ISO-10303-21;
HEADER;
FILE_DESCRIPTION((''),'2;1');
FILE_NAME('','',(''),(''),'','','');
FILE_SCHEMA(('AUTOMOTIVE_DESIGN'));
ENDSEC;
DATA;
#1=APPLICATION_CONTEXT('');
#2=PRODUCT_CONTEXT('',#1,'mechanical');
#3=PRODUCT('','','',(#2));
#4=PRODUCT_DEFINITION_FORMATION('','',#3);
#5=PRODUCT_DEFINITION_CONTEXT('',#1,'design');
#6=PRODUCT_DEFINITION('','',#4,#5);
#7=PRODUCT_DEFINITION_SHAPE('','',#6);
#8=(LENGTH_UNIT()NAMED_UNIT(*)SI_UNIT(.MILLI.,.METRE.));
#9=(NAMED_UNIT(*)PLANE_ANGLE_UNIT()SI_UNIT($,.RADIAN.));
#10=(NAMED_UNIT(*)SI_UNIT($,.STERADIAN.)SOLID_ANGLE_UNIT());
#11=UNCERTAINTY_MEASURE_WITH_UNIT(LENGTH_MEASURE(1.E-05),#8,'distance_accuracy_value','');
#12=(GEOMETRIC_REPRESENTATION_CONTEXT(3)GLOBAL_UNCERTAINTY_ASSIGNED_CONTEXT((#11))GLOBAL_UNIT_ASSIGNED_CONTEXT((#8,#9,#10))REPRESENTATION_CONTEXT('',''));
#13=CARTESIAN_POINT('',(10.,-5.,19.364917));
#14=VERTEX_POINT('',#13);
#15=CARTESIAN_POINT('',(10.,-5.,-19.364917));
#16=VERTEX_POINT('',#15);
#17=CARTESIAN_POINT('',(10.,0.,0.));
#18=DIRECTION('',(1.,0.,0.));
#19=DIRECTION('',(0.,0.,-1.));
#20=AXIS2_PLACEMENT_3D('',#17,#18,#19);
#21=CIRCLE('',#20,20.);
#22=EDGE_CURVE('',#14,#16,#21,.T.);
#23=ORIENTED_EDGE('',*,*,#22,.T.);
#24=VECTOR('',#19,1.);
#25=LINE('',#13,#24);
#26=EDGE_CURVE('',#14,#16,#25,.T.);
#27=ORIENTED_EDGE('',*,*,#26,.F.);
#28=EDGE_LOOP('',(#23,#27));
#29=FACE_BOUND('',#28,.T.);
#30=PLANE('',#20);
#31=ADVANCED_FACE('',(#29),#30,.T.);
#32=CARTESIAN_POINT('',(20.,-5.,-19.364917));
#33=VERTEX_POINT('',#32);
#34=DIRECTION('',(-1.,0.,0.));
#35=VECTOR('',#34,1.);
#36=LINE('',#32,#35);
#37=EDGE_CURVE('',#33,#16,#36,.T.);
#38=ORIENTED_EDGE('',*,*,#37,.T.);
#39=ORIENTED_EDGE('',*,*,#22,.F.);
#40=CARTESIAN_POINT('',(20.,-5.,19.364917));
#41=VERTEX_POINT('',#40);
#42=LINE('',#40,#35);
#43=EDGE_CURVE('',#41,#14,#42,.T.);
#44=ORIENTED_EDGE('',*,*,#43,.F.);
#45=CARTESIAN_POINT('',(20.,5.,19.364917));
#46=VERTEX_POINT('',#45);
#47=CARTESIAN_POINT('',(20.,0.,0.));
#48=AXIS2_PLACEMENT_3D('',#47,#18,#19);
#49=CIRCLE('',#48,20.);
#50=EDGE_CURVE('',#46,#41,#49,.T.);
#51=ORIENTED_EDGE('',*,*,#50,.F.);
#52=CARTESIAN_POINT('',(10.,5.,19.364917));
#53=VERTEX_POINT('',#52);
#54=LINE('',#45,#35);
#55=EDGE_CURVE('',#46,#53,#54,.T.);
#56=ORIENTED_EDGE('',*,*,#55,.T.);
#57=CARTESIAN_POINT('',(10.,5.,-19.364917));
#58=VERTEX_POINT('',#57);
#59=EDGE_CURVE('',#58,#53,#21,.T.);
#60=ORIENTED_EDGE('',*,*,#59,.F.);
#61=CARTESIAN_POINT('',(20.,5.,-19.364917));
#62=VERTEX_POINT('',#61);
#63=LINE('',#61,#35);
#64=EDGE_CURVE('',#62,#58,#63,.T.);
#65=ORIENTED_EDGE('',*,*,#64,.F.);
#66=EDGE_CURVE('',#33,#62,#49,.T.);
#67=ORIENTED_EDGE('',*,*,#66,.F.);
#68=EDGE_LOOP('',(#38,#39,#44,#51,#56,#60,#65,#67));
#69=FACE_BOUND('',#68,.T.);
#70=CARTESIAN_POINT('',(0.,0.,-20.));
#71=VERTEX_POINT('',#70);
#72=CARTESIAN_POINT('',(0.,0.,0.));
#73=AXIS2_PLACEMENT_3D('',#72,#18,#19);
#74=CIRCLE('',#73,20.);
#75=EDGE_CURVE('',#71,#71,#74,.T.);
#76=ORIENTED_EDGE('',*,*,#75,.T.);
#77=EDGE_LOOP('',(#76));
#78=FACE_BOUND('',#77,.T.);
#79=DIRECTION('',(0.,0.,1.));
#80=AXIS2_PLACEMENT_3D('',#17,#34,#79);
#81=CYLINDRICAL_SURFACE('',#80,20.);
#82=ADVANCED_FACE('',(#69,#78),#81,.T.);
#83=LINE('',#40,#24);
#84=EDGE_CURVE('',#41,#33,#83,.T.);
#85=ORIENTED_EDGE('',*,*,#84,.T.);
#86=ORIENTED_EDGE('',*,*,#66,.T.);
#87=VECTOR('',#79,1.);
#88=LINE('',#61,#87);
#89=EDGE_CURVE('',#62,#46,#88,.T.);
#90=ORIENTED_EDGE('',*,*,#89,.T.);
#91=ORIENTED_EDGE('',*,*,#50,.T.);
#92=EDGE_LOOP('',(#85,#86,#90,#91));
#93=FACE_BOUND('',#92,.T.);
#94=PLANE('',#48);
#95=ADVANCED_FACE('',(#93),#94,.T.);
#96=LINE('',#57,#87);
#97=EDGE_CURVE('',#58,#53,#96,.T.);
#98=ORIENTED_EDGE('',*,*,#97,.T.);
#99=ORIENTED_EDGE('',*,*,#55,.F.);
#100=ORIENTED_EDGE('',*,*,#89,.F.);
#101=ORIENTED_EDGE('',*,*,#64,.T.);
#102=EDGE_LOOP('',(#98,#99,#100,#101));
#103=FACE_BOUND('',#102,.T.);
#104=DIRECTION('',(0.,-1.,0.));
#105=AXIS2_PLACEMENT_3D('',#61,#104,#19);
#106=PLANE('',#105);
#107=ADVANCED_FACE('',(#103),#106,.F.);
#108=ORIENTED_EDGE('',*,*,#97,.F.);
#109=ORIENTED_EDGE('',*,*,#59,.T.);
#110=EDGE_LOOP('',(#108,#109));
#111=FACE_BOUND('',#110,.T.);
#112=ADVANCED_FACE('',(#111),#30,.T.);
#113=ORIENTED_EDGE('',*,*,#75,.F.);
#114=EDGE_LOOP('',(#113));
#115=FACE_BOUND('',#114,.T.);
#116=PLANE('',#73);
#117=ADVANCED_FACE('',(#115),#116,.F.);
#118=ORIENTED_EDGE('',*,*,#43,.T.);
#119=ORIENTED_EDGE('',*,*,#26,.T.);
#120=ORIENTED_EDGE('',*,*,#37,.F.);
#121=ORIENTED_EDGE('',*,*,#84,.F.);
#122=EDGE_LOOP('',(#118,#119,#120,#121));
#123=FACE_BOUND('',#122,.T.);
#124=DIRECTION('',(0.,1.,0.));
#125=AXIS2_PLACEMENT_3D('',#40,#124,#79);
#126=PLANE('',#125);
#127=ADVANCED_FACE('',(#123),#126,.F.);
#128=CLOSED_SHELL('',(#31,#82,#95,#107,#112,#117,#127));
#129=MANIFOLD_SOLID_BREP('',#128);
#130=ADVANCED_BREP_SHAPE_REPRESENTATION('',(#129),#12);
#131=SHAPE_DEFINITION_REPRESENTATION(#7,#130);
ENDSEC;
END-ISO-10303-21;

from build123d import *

# Parameters (mm, degrees)
SKETCH2_R           = 20
BOSS_EXTRUDE1_DEPTH = 10
BOSS_EXTRUDE2_DEPTH = 10


with BuildPart() as part:
    # Sketch2 → Boss-Extrude1 (new body)
    with BuildSketch(Plane(origin=(0, 0, 0), x_dir=(0, 0, -1), z_dir=(1, 0, 0))):
        Circle(SKETCH2_R)
    extrude(amount=BOSS_EXTRUDE1_DEPTH)

    # Sketch3 → Boss-Extrude2 (add)
    with BuildSketch(Plane(origin=(10, 0, 0), x_dir=(0, 0, -1), z_dir=(1, 0, 0))):
        with BuildLine():
            Line((19.364916731, 5), (-19.364916731, 5))
            ThreePointArc((-19.364916731, 5), (-20, 0), (-19.364916731, -5))
            Line((-19.364916731, -5), (19.364916731, -5))
            ThreePointArc((19.364916731, -5), (20, 0), (19.364916731, 5))
        make_face()
    extrude(amount=BOSS_EXTRUDE2_DEPTH)


solid = part.part
